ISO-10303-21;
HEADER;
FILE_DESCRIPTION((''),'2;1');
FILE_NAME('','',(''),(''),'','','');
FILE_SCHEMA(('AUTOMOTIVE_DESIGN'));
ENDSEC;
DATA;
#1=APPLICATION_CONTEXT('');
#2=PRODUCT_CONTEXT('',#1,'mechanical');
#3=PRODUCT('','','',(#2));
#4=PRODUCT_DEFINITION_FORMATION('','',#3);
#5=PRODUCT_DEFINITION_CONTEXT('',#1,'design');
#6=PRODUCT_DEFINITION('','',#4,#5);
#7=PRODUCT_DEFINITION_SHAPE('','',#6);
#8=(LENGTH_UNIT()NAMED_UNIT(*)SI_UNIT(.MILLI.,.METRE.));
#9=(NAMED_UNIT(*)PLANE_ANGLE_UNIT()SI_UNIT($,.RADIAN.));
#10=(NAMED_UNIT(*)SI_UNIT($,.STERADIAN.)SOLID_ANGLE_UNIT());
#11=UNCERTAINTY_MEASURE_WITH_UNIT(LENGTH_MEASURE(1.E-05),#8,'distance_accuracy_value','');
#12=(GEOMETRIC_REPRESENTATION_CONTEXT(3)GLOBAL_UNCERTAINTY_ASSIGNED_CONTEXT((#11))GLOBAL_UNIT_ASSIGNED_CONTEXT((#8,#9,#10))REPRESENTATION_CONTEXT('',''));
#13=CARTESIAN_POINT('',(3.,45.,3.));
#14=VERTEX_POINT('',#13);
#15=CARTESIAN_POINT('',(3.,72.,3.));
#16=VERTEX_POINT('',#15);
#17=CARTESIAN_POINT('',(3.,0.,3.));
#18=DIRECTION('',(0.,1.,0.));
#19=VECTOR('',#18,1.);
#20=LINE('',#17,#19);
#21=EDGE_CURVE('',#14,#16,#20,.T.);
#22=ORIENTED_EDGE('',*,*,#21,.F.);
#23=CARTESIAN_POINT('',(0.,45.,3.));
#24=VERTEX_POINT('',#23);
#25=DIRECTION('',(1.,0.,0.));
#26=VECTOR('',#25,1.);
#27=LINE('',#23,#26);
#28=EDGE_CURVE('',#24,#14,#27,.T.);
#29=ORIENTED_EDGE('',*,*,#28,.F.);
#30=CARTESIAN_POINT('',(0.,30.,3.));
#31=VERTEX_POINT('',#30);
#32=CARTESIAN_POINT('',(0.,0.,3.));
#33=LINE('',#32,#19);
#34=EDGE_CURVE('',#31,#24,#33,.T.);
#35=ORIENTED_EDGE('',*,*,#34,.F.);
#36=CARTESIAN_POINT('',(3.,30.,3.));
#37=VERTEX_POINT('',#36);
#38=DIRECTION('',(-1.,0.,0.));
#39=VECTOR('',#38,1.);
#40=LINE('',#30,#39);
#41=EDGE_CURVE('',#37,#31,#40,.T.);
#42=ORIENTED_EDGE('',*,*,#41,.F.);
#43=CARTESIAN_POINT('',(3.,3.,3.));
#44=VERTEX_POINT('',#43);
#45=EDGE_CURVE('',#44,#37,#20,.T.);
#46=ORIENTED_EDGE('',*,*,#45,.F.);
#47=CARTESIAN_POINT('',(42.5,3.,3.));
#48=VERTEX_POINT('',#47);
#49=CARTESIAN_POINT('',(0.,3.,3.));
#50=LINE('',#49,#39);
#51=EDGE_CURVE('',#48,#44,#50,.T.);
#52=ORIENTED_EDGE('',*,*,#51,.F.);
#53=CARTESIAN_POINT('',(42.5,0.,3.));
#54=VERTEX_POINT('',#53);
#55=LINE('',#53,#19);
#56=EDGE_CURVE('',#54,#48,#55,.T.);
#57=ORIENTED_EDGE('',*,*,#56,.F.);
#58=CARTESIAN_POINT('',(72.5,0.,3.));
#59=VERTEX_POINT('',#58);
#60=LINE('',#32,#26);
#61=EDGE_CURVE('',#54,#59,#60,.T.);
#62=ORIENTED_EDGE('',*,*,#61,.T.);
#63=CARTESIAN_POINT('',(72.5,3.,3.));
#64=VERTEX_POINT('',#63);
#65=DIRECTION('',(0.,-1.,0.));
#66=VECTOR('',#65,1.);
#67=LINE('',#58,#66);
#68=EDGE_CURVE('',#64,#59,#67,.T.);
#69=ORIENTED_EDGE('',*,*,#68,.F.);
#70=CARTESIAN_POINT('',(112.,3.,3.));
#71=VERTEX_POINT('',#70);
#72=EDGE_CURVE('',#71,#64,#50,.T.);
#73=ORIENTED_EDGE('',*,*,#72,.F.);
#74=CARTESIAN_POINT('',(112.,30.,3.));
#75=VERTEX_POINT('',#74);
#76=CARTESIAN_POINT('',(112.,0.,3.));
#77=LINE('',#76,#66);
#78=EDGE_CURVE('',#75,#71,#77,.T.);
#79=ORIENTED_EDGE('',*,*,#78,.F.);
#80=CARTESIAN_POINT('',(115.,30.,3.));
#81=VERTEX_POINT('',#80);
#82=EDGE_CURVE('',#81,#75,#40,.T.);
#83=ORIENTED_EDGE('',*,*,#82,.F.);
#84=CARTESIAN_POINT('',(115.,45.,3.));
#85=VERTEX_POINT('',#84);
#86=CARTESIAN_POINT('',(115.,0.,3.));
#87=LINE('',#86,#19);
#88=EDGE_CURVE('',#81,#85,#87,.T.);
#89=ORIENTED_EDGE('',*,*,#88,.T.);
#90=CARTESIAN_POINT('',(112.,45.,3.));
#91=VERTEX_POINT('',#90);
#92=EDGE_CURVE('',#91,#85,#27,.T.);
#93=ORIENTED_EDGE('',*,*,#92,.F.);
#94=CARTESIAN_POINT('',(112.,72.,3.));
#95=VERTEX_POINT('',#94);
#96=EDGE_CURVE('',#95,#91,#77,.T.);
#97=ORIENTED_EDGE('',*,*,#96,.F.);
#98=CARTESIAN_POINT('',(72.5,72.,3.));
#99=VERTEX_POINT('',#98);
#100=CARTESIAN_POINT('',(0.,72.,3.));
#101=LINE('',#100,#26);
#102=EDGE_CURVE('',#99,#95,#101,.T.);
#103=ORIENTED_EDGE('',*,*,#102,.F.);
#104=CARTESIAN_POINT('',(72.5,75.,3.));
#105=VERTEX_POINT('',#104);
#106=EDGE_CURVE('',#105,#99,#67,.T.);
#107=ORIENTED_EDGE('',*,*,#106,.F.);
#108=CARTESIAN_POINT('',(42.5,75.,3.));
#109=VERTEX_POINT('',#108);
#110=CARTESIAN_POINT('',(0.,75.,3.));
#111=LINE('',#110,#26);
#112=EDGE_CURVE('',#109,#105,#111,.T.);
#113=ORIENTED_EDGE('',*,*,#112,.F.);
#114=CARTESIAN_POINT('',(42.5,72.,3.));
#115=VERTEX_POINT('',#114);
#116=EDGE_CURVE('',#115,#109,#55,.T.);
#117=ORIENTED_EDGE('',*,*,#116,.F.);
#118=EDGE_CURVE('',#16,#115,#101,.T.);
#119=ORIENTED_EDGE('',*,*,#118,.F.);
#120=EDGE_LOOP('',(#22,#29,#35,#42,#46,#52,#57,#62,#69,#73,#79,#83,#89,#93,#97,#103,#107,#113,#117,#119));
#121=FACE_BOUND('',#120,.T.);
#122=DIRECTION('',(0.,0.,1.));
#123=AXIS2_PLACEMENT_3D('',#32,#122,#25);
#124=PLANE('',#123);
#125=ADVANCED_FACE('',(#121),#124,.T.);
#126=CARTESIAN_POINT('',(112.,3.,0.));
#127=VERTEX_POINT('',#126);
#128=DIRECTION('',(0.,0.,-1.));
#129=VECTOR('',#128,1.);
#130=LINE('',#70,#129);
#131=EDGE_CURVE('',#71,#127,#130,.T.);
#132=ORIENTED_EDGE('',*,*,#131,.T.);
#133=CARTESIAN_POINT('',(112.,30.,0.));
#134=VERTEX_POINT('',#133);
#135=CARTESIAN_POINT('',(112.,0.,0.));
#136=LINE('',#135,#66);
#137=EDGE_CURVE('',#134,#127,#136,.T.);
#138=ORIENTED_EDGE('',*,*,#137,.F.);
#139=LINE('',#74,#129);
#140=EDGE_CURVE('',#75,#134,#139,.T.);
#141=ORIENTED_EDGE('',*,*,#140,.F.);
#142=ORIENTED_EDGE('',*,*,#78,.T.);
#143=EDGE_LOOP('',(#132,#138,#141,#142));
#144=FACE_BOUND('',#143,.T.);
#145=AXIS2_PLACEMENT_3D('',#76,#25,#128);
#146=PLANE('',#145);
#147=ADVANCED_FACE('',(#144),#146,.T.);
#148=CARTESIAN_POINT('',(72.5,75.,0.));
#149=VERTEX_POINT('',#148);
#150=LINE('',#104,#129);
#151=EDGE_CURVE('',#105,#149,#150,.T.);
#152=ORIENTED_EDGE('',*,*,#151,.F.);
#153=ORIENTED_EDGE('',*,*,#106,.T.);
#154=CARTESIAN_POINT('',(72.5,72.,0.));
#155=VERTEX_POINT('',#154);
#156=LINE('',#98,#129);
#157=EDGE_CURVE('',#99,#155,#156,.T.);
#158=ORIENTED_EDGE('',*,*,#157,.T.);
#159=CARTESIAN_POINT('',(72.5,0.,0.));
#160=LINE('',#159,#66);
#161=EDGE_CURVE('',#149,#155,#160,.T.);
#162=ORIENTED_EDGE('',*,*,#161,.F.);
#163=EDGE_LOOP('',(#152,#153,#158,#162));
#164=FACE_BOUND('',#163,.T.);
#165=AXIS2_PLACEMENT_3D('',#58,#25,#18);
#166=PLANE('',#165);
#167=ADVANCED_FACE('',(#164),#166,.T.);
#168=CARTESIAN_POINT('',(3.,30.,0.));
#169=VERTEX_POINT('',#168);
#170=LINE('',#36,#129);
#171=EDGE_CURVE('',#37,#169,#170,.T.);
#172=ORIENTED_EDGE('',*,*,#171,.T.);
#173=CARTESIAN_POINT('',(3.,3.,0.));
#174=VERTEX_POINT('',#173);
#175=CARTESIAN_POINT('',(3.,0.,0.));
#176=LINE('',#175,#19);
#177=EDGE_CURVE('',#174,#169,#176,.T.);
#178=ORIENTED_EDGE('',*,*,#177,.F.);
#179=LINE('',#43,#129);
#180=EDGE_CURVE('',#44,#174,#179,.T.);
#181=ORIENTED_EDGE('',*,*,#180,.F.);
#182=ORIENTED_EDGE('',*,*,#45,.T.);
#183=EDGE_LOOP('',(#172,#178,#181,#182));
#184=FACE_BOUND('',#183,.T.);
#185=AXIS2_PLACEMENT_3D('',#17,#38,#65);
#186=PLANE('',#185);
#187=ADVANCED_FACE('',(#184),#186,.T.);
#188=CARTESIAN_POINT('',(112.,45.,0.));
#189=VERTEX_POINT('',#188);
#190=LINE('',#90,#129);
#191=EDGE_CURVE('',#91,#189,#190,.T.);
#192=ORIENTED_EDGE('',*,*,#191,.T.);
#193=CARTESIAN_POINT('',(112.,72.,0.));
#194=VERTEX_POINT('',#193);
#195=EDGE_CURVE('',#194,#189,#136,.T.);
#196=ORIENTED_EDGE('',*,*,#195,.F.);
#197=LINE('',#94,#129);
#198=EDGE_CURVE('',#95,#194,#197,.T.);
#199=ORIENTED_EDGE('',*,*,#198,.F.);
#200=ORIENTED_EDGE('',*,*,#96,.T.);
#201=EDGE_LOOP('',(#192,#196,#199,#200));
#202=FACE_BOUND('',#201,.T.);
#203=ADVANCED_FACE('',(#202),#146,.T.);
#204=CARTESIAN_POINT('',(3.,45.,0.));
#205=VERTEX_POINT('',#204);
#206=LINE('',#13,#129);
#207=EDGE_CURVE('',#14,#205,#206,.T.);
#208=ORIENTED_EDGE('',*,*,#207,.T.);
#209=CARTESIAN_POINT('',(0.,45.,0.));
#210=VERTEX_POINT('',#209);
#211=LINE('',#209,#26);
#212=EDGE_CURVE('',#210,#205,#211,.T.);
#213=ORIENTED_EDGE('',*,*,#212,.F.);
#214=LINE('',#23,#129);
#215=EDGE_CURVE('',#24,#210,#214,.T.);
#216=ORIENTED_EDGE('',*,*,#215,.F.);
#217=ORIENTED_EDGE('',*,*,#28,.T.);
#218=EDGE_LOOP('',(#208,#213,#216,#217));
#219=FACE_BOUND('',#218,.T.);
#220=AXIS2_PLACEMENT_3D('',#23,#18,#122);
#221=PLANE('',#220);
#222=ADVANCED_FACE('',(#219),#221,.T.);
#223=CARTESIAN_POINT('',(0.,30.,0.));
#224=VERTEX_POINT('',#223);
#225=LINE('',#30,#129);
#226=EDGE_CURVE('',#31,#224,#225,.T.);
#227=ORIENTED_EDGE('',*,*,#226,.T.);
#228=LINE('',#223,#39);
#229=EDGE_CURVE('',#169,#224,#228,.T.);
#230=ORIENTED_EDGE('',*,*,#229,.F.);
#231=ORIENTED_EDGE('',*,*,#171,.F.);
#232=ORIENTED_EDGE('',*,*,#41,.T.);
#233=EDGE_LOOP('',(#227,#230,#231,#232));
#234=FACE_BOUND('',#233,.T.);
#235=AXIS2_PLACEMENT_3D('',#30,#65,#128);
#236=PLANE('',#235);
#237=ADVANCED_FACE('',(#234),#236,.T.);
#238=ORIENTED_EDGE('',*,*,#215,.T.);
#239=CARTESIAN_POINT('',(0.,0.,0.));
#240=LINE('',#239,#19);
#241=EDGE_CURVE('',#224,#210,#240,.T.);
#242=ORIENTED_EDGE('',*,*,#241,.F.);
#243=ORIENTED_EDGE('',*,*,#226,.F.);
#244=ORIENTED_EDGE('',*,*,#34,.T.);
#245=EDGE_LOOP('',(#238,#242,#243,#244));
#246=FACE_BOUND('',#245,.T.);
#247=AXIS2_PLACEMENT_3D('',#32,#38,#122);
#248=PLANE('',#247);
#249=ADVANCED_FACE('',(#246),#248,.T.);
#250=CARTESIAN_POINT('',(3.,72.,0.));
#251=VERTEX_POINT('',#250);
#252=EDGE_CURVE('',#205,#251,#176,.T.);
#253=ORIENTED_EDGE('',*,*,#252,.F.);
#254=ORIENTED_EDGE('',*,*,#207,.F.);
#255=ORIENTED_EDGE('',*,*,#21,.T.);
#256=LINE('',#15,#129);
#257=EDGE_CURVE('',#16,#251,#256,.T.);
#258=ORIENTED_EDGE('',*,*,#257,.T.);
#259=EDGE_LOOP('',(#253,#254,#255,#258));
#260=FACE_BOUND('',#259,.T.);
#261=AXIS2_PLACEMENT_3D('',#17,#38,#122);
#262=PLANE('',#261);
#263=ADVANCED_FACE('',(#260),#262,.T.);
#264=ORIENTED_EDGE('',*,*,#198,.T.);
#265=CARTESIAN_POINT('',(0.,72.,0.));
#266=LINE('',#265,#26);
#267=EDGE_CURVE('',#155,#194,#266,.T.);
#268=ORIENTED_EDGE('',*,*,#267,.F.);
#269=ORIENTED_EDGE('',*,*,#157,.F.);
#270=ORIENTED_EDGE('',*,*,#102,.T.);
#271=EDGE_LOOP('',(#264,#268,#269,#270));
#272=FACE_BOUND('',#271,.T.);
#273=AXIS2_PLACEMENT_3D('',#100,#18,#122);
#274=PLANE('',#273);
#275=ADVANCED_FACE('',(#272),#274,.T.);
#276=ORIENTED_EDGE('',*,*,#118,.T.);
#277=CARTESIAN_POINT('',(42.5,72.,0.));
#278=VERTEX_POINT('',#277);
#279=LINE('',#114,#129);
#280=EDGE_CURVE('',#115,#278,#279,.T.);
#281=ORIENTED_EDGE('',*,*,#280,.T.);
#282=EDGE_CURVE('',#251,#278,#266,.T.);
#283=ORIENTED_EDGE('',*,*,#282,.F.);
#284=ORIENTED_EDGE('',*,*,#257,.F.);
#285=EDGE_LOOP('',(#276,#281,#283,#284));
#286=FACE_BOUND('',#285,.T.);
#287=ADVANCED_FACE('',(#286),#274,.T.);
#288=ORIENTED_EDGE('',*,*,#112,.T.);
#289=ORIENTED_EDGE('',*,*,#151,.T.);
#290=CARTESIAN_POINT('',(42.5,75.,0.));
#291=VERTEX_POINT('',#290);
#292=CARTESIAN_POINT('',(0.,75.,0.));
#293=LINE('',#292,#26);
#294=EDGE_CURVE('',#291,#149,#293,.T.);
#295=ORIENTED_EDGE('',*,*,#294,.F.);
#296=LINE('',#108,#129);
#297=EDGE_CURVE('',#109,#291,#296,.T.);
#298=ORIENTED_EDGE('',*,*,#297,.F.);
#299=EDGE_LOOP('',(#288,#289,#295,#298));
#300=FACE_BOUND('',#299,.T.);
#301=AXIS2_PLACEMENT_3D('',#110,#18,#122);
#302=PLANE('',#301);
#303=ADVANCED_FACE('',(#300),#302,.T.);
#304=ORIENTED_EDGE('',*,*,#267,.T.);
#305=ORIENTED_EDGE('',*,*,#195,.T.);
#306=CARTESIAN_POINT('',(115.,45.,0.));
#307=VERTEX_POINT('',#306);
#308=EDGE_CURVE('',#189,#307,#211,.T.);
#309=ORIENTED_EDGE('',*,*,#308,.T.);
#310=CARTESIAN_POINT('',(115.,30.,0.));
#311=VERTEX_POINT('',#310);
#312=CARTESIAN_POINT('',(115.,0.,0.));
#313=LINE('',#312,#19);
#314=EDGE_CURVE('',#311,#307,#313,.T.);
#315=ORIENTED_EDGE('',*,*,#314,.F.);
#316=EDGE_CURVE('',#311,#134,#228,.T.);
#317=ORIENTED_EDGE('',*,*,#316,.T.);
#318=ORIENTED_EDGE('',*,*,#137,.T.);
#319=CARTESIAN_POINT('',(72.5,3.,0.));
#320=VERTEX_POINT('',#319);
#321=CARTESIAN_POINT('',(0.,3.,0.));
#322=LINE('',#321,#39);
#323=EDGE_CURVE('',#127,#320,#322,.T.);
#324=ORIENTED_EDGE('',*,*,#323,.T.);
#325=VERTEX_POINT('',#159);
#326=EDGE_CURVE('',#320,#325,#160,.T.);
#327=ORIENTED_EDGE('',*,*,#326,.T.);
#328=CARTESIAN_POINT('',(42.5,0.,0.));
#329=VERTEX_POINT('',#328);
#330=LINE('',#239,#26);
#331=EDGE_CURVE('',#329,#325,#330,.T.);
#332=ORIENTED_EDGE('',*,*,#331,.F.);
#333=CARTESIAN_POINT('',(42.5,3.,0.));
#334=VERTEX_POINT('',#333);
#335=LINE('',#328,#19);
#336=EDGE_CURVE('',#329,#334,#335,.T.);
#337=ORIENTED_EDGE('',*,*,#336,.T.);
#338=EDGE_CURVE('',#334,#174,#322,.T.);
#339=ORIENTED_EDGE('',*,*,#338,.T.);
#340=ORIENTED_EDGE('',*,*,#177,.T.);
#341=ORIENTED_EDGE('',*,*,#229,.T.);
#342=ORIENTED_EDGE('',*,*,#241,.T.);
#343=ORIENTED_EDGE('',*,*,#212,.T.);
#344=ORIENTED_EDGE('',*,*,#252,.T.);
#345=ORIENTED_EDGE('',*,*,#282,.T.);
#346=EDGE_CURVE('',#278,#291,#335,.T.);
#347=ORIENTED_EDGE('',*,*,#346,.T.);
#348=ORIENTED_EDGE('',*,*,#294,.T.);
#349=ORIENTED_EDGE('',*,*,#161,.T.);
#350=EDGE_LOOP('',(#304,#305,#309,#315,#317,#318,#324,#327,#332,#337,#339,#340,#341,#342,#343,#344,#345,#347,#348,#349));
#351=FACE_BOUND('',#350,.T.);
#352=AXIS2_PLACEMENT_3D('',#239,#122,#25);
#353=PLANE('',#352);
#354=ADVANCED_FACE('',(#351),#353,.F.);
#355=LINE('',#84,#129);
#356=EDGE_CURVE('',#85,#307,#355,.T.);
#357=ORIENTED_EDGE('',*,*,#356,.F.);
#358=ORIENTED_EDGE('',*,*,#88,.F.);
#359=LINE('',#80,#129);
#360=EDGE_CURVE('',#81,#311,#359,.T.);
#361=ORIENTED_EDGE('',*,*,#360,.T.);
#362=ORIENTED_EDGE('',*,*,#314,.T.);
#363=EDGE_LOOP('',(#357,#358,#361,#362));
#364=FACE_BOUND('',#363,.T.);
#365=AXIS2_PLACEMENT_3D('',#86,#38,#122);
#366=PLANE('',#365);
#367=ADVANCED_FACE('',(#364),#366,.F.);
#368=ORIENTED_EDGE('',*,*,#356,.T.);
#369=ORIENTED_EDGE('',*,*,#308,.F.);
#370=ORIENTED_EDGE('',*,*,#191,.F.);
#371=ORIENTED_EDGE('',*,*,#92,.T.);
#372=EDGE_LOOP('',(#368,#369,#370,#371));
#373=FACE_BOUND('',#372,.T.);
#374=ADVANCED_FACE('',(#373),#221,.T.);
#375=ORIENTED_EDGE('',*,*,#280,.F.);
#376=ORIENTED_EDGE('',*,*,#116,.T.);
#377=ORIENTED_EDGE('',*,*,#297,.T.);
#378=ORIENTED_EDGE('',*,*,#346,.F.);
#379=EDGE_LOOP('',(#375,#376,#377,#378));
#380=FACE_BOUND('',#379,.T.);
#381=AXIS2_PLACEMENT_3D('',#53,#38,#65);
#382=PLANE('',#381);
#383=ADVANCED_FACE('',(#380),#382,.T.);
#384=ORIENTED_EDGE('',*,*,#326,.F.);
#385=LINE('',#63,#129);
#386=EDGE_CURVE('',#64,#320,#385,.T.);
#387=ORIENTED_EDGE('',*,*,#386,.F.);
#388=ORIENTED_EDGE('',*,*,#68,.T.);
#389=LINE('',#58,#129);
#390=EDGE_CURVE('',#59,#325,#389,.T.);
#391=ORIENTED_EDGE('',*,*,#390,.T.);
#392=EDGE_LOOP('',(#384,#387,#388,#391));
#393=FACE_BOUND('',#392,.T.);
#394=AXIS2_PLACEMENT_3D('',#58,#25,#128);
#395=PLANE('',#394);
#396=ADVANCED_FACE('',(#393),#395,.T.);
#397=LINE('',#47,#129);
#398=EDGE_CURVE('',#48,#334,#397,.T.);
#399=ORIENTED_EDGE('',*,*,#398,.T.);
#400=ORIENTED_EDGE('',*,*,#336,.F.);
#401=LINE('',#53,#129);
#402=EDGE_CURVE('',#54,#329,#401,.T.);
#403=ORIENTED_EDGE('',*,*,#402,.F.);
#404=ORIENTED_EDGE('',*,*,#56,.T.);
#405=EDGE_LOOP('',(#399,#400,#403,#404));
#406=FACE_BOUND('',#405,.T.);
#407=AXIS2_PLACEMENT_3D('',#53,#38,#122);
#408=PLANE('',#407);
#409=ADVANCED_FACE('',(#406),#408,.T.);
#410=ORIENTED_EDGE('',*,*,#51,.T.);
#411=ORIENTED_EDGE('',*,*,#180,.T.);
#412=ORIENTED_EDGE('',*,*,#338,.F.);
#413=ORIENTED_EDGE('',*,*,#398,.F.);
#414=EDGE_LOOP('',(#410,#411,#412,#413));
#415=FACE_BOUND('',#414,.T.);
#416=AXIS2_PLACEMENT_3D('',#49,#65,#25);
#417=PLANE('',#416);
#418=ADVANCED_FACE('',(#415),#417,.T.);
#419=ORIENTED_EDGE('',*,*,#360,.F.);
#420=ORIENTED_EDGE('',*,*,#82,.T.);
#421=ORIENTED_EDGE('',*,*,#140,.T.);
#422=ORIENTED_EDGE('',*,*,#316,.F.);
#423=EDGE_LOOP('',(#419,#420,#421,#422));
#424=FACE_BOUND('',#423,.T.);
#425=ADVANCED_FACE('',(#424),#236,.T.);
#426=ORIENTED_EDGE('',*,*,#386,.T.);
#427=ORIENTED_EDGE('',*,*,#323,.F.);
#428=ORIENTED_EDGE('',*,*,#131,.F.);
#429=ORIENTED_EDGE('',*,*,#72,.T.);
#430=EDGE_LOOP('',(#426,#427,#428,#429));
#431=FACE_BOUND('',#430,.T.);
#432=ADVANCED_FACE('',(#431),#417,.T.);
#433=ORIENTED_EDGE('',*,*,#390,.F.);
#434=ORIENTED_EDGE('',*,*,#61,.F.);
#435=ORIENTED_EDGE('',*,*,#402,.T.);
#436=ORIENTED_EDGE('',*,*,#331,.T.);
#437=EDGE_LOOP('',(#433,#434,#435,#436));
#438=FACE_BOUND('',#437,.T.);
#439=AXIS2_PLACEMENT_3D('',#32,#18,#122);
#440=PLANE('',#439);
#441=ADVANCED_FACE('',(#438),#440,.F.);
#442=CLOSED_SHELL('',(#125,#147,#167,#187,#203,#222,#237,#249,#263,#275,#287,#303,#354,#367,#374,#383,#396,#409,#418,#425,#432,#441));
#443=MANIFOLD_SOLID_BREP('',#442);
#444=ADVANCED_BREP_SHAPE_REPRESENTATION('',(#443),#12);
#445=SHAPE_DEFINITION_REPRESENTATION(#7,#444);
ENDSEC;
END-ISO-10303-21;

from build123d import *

# Parameters (mm, degrees)
BOSS_EXTRUDE1_DEPTH = 3


with BuildPart() as part:
    # Sketch1 → Boss-Extrude1 (new body)
    with BuildSketch(Plane.XY):
        Polygon((3, 45), (0, 45), (0, 30), (3, 30), (3, 3), (42.5, 3), (42.5, 0), (72.5, 0), (72.5, 3), (112, 3), (112, 30), (115, 30), (115, 45), (112, 45), (112, 72), (72.5, 72), (72.5, 75), (42.5, 75), (42.5, 72), (3, 72), align=None)
    extrude(amount=BOSS_EXTRUDE1_DEPTH)


solid = part.part
